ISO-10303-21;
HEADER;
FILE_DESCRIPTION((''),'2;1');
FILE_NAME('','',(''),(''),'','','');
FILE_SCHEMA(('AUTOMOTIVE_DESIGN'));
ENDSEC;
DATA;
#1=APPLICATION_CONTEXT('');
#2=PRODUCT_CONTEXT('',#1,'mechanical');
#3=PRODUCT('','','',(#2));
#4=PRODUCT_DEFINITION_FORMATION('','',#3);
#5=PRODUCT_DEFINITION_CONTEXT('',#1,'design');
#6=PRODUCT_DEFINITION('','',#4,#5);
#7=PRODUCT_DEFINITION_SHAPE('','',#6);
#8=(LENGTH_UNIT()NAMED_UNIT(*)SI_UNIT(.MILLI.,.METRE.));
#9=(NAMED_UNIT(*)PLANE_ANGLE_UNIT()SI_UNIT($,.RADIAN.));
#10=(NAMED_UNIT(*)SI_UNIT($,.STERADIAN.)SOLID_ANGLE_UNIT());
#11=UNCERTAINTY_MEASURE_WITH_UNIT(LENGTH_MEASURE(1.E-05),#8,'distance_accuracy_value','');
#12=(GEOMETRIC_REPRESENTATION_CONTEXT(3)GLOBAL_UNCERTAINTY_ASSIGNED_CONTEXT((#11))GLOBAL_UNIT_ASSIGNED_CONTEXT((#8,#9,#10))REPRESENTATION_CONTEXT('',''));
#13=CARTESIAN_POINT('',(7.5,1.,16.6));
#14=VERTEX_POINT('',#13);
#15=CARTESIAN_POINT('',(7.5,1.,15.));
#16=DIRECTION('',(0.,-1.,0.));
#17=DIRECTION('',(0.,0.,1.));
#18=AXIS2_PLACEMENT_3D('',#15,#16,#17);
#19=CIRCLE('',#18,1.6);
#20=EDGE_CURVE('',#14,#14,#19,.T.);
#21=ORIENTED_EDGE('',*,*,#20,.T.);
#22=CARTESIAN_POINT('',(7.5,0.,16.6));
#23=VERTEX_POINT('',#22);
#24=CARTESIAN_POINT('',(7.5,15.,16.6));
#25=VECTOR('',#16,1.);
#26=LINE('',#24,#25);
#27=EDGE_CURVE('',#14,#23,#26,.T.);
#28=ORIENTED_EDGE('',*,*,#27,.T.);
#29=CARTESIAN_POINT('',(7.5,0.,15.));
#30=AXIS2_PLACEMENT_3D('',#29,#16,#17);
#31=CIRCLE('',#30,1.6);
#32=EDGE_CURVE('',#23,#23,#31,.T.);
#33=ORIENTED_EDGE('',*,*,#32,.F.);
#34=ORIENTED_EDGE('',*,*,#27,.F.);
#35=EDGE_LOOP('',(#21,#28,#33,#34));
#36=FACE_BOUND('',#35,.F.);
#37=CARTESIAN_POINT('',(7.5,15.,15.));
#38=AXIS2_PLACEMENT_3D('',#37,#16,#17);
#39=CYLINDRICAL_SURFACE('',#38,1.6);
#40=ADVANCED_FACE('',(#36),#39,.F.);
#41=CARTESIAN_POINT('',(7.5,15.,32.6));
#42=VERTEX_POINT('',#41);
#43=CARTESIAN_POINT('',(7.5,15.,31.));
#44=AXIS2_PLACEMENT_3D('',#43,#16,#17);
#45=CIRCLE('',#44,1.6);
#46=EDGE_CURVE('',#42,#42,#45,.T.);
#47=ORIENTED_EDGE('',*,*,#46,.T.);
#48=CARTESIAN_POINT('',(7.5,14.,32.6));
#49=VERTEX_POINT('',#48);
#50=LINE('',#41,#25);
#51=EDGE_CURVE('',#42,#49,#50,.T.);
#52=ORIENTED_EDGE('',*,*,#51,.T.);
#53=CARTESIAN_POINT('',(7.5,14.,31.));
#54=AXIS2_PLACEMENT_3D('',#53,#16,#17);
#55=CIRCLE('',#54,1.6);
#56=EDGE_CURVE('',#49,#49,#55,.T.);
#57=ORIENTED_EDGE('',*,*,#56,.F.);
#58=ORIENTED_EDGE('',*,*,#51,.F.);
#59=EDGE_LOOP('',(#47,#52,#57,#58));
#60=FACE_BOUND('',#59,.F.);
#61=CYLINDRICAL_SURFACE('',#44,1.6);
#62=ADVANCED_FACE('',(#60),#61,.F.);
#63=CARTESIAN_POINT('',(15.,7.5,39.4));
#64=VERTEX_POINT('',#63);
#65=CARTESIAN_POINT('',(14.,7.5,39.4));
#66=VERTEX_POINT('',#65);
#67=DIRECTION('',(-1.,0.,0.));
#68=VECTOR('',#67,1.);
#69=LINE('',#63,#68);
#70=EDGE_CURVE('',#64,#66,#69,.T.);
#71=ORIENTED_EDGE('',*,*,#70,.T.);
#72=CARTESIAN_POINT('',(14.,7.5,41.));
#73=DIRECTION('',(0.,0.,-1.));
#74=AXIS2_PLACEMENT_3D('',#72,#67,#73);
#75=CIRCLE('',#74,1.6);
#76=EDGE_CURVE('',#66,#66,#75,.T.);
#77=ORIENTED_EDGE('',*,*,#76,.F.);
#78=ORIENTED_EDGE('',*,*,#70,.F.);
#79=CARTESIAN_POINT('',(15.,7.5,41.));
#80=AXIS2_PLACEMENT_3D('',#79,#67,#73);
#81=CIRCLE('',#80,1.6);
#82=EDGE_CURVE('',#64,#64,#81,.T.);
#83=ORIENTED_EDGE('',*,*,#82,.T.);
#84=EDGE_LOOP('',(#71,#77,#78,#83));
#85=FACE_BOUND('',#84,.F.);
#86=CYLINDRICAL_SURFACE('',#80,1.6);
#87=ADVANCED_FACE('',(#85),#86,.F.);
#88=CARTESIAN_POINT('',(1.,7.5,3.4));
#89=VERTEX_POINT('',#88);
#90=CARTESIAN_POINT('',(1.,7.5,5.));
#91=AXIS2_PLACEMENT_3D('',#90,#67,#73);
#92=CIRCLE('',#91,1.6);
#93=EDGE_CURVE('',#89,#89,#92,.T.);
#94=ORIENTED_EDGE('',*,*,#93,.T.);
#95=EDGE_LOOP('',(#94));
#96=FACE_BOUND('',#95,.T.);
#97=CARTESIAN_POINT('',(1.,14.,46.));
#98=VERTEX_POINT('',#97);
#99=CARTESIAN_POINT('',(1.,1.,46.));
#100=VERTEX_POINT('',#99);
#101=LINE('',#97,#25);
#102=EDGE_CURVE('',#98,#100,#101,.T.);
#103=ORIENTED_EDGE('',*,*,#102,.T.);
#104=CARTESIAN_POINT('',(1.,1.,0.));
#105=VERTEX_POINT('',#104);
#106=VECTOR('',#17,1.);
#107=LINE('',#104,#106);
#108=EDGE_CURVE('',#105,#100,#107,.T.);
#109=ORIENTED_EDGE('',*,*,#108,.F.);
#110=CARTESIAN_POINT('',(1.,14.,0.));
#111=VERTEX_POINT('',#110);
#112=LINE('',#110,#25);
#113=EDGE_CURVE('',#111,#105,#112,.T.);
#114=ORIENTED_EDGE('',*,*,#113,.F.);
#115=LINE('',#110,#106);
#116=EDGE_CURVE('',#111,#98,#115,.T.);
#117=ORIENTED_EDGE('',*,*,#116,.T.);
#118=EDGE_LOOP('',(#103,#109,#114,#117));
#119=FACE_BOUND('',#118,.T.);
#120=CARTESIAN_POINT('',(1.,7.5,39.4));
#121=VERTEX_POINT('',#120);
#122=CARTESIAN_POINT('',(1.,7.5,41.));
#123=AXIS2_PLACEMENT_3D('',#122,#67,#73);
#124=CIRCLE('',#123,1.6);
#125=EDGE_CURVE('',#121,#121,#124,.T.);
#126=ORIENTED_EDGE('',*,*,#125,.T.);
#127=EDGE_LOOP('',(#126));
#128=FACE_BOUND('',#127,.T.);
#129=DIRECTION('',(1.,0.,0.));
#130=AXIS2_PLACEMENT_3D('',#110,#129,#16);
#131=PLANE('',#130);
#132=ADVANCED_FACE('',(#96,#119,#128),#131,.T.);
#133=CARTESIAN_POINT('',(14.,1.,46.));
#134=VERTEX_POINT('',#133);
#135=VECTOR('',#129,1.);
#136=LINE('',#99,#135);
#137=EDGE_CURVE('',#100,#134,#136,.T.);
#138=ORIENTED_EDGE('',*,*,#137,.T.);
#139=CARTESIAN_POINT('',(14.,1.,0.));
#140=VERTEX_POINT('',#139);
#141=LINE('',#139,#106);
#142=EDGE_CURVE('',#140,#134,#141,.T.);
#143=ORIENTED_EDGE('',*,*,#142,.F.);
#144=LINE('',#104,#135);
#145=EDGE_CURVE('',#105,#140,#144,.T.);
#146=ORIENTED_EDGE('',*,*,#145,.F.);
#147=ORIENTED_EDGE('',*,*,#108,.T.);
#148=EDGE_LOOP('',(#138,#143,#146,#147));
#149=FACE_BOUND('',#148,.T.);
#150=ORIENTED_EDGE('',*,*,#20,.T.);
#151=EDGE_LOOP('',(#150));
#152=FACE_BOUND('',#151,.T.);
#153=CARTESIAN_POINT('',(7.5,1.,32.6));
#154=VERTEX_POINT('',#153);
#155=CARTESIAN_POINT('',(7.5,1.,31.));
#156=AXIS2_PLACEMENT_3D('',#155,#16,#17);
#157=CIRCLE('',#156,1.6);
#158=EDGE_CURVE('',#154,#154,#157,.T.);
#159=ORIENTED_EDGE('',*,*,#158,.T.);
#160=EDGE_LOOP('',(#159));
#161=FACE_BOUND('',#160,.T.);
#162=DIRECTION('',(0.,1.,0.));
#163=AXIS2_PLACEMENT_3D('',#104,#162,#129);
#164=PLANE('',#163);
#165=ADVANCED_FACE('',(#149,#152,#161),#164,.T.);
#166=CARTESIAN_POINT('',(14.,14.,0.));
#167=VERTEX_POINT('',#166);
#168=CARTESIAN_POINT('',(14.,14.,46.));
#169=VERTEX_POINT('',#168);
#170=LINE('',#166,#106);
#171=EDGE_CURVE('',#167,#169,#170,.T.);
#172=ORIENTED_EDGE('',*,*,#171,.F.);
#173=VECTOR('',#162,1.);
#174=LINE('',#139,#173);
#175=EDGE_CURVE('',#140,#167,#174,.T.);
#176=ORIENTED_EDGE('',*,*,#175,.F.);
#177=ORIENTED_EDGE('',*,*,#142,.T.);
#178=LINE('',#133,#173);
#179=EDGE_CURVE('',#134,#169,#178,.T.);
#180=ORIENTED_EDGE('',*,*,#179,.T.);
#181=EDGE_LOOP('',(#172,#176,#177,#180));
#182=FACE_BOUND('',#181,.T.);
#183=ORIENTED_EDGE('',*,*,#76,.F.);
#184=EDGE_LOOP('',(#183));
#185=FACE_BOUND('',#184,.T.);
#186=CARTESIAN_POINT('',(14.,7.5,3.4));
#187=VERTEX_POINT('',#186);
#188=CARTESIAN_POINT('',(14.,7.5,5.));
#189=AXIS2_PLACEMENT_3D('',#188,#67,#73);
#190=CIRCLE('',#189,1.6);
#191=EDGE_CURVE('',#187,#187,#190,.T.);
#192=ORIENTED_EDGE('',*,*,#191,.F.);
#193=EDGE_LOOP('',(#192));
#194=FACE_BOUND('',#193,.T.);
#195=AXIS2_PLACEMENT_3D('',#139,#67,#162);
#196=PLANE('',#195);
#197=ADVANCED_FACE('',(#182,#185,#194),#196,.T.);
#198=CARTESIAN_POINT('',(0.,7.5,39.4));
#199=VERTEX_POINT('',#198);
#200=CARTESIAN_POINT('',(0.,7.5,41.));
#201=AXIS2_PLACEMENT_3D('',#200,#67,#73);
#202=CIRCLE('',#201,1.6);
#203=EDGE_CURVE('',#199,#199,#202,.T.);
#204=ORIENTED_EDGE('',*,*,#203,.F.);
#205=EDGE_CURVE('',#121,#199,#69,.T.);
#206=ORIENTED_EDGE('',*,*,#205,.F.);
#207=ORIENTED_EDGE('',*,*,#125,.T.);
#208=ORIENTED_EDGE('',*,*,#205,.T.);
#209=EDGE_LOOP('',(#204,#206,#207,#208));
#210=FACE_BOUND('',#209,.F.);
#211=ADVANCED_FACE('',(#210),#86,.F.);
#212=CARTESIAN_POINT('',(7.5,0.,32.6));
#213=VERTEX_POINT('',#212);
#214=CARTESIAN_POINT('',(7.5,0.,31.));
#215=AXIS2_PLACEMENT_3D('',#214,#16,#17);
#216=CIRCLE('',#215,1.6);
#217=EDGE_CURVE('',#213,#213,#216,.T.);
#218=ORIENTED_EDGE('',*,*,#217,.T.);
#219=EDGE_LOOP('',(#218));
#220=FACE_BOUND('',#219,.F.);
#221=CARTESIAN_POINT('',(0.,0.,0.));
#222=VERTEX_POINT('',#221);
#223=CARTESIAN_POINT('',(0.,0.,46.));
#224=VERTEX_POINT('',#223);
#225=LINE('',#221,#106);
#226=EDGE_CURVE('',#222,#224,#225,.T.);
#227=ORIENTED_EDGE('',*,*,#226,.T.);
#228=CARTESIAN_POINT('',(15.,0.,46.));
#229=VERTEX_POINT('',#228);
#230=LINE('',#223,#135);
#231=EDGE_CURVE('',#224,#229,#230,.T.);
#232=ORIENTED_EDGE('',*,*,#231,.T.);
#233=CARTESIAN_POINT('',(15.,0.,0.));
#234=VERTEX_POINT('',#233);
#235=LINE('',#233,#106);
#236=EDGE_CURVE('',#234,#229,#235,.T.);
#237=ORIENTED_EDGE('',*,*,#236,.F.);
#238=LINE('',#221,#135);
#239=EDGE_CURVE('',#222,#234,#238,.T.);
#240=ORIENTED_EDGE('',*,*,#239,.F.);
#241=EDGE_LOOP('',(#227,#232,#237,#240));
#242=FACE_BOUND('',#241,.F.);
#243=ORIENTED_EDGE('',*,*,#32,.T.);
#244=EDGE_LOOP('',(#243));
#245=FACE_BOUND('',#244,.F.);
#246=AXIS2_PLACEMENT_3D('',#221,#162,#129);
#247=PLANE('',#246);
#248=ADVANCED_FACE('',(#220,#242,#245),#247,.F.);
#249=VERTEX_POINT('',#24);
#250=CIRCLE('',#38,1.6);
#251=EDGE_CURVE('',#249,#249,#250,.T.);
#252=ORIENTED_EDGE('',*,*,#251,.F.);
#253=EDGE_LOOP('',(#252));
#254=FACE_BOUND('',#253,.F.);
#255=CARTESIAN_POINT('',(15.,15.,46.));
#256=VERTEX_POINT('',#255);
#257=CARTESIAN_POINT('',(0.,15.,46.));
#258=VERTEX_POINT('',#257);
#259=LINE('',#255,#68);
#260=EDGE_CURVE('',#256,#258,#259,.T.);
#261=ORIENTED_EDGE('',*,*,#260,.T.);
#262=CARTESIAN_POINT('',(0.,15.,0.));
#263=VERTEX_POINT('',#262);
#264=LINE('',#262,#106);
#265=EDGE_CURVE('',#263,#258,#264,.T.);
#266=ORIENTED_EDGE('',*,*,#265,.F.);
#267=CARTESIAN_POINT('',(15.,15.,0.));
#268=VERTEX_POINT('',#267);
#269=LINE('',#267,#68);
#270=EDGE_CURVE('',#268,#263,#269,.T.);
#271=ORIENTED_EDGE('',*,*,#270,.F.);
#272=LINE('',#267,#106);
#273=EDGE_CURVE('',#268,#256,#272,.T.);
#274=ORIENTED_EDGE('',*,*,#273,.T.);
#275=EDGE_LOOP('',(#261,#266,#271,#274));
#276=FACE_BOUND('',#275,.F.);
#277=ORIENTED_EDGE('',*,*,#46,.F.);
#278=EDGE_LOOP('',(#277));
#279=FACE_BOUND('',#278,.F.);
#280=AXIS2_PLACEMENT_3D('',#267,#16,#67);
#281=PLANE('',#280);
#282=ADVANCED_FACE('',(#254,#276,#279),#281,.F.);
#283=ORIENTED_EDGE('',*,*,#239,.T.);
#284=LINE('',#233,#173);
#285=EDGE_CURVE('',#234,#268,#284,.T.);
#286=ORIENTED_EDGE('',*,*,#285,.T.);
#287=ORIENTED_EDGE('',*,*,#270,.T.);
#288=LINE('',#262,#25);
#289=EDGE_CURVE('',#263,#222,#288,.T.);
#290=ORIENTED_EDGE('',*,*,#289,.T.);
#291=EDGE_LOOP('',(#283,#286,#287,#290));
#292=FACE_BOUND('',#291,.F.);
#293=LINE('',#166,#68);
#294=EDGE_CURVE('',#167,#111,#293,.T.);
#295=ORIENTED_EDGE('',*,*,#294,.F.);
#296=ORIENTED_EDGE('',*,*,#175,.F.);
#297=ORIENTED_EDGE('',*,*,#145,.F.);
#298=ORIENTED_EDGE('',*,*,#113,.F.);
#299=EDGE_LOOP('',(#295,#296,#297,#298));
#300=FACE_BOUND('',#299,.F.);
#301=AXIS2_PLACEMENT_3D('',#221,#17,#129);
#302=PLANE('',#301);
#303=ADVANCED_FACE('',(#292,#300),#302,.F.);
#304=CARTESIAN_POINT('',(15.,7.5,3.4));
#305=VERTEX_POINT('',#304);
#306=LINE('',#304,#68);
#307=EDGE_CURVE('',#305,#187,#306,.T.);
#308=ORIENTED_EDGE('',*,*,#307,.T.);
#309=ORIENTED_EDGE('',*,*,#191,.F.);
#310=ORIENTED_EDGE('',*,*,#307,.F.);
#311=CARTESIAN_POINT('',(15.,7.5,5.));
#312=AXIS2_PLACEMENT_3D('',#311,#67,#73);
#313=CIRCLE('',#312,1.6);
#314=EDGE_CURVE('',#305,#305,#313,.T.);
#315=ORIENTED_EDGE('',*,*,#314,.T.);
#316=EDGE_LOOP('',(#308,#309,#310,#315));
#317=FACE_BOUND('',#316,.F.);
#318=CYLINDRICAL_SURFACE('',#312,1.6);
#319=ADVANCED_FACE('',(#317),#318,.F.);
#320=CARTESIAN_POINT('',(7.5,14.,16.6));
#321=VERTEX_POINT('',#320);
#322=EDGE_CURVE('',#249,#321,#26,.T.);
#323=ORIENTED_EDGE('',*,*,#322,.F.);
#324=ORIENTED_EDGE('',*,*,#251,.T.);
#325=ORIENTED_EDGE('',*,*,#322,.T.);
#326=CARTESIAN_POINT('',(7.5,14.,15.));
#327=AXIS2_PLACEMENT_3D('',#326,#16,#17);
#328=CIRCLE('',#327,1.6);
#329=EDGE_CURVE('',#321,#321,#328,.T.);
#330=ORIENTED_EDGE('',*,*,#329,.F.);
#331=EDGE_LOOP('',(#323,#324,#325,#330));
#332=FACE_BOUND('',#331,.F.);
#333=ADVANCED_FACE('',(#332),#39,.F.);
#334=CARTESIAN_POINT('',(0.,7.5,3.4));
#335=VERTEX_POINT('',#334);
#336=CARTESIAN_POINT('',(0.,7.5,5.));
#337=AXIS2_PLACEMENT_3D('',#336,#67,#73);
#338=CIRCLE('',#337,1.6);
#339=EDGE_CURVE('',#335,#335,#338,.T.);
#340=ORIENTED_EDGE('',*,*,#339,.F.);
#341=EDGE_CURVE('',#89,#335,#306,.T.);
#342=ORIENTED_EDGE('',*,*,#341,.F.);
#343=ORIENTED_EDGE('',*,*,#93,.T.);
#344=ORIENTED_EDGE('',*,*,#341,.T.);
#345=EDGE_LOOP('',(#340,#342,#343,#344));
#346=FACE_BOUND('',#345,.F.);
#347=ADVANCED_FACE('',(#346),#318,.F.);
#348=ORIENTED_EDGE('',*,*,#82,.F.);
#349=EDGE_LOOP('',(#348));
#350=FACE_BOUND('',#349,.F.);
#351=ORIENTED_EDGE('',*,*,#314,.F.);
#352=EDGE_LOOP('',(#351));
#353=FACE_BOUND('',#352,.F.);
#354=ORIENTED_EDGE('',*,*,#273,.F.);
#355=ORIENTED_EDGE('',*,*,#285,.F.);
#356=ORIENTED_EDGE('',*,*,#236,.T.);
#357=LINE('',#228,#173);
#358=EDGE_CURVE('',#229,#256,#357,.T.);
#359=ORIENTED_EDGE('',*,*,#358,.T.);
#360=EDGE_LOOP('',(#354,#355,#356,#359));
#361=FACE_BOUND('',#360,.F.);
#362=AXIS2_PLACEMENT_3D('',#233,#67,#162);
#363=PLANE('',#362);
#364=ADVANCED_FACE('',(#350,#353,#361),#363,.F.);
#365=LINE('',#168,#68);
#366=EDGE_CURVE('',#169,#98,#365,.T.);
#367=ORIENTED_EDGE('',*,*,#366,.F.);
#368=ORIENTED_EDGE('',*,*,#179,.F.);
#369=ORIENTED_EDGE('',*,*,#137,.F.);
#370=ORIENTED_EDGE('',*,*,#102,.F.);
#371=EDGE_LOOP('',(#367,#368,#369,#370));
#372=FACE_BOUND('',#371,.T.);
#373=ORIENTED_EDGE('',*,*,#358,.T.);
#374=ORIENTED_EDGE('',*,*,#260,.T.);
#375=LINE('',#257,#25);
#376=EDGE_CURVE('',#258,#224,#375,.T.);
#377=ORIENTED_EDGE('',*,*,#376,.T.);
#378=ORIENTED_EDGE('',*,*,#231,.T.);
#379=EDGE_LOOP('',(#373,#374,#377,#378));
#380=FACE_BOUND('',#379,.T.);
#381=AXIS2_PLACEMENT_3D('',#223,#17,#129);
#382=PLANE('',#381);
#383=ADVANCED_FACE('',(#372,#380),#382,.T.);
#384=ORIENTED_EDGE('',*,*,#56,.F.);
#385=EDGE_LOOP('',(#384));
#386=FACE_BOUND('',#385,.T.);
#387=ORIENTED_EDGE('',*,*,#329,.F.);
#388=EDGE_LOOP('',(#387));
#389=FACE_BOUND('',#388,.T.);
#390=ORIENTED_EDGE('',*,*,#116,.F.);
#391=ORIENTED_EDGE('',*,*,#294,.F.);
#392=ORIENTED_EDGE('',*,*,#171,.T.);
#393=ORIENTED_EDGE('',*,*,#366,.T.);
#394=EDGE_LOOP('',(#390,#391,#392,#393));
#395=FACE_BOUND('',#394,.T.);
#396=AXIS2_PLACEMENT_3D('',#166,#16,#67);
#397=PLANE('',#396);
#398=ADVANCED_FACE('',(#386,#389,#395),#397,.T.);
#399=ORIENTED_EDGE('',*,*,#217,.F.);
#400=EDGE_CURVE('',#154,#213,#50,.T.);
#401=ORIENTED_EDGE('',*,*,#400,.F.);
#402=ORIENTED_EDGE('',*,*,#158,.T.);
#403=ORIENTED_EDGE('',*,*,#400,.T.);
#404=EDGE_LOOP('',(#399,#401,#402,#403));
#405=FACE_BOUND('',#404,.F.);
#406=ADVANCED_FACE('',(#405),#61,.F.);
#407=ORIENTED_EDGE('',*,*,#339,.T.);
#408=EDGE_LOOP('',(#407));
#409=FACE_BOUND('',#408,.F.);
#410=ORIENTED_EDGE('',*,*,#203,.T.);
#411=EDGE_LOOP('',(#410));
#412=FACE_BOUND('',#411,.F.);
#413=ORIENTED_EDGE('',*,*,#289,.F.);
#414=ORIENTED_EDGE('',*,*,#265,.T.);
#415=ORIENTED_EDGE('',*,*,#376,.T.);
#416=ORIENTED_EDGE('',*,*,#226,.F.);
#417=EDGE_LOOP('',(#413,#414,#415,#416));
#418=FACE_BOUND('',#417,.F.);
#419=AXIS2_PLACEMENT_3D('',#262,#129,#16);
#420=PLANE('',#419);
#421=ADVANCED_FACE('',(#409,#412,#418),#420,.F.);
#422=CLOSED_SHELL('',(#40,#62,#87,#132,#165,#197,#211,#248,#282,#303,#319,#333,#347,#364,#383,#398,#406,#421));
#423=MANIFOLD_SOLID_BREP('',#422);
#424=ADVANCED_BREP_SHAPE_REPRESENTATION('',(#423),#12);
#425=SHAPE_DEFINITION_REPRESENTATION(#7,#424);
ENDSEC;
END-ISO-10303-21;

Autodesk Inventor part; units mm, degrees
ref_plane "YZ Plane" through (0, 0, 0) normal (1, 0, 0) x (0, 1, 0)
ref_plane "XZ Plane" through (0, 0, 0) normal (0, 1, 0) x (-1, 0, 0)
ref_plane "XY Plane" through (0, 0, 0) normal (0, 0, 1) x (1, 0, 0)
sketch "スケッチ1" plane through (0, 0, 0) normal (0, 0, 1) x (1, 0, 0)
  line L0 (0, 0) -> (15, 0)
  line L1 (15, 0) -> (15, 15)
  line L2 (15, 15) -> (0, 15)
  line L3 (0, 15) -> (0, 0)
  line L4 (1, 1) -> (14, 1)
  line L5 (14, 1) -> (14, 14)
  line L6 (14, 14) -> (1, 14)
  line L7 (1, 14) -> (1, 1)
  dimension "d0" = 15
  dimension "d1" = 15
  dimension "d2" = 13
  dimension "d3" = 13
  dimension "d4" = 1
  dimension "d5" = 1
extrude "押し出し1" add sketch "スケッチ1" along normal blind 46
sketch "スケッチ2" plane through (15, 0, 0) normal (1, 0, 0) x (0, 0, -1)
  circle A0 centre (-5, 7.5) radius 1.6
  line L0 (0, 0) -> (-46, 0) projected
  line L1 (0, 0) -> (0, 15) projected
  circle A1 centre (-41, 7.5) radius 1.6
  line L2 (-46, 0) -> (-46, 15) projected
  dimension "d8" = 3.2
  dimension "d9" = 7.5
  dimension "d10" = 5
  dimension "d11" = 3.2
  dimension "d12" = 5
hole "穴1" at (15, 7.5, 41) at (15, 7.5, 5) direction (-1, 0, 0) diameter 3.2 depth 15
sketch "スケッチ3" plane through (0, 15, 0) normal (0, 1, 0) x (1, 0, 0)
  circle A0 centre (7.5, -15) radius 1.6
  line L0 (15, 0) -> (15, -46) projected
  line L1 (15, 0) -> (0, 0) projected
  circle A1 centre (7.5, -31) radius 1.6
  line L2 (15, -46) -> (0, -46) projected
  dimension "d20" = 3.2
  dimension "d21" = 7.5
  dimension "d22" = 15
  dimension "d23" = 3.2
  dimension "d24" = 15
hole "穴2" at (7.5, 15, 31) at (7.5, 15, 15) direction (0, -1, 0) diameter 3.2 depth 15
equation "\"BendRadius\" = Thickness"
equation "\"BendReliefWidth\" = Thickness"
equation "\"BendReliefDepth\" = 0.5 * Thickness"
equation "\"CornerReliefSize\" = 4 * Thickness"
equation "\"MinimumRemnant\" = 2 * Thickness"
equation "\"TransitionRadius\" = BendRadius"
equation "\"JacobiRadiusSize\" = BendRadius"
equation "\"GapSize\" = Thickness"
equation "\"Thickness\" = 0.5"
properties part number "nhk29"
